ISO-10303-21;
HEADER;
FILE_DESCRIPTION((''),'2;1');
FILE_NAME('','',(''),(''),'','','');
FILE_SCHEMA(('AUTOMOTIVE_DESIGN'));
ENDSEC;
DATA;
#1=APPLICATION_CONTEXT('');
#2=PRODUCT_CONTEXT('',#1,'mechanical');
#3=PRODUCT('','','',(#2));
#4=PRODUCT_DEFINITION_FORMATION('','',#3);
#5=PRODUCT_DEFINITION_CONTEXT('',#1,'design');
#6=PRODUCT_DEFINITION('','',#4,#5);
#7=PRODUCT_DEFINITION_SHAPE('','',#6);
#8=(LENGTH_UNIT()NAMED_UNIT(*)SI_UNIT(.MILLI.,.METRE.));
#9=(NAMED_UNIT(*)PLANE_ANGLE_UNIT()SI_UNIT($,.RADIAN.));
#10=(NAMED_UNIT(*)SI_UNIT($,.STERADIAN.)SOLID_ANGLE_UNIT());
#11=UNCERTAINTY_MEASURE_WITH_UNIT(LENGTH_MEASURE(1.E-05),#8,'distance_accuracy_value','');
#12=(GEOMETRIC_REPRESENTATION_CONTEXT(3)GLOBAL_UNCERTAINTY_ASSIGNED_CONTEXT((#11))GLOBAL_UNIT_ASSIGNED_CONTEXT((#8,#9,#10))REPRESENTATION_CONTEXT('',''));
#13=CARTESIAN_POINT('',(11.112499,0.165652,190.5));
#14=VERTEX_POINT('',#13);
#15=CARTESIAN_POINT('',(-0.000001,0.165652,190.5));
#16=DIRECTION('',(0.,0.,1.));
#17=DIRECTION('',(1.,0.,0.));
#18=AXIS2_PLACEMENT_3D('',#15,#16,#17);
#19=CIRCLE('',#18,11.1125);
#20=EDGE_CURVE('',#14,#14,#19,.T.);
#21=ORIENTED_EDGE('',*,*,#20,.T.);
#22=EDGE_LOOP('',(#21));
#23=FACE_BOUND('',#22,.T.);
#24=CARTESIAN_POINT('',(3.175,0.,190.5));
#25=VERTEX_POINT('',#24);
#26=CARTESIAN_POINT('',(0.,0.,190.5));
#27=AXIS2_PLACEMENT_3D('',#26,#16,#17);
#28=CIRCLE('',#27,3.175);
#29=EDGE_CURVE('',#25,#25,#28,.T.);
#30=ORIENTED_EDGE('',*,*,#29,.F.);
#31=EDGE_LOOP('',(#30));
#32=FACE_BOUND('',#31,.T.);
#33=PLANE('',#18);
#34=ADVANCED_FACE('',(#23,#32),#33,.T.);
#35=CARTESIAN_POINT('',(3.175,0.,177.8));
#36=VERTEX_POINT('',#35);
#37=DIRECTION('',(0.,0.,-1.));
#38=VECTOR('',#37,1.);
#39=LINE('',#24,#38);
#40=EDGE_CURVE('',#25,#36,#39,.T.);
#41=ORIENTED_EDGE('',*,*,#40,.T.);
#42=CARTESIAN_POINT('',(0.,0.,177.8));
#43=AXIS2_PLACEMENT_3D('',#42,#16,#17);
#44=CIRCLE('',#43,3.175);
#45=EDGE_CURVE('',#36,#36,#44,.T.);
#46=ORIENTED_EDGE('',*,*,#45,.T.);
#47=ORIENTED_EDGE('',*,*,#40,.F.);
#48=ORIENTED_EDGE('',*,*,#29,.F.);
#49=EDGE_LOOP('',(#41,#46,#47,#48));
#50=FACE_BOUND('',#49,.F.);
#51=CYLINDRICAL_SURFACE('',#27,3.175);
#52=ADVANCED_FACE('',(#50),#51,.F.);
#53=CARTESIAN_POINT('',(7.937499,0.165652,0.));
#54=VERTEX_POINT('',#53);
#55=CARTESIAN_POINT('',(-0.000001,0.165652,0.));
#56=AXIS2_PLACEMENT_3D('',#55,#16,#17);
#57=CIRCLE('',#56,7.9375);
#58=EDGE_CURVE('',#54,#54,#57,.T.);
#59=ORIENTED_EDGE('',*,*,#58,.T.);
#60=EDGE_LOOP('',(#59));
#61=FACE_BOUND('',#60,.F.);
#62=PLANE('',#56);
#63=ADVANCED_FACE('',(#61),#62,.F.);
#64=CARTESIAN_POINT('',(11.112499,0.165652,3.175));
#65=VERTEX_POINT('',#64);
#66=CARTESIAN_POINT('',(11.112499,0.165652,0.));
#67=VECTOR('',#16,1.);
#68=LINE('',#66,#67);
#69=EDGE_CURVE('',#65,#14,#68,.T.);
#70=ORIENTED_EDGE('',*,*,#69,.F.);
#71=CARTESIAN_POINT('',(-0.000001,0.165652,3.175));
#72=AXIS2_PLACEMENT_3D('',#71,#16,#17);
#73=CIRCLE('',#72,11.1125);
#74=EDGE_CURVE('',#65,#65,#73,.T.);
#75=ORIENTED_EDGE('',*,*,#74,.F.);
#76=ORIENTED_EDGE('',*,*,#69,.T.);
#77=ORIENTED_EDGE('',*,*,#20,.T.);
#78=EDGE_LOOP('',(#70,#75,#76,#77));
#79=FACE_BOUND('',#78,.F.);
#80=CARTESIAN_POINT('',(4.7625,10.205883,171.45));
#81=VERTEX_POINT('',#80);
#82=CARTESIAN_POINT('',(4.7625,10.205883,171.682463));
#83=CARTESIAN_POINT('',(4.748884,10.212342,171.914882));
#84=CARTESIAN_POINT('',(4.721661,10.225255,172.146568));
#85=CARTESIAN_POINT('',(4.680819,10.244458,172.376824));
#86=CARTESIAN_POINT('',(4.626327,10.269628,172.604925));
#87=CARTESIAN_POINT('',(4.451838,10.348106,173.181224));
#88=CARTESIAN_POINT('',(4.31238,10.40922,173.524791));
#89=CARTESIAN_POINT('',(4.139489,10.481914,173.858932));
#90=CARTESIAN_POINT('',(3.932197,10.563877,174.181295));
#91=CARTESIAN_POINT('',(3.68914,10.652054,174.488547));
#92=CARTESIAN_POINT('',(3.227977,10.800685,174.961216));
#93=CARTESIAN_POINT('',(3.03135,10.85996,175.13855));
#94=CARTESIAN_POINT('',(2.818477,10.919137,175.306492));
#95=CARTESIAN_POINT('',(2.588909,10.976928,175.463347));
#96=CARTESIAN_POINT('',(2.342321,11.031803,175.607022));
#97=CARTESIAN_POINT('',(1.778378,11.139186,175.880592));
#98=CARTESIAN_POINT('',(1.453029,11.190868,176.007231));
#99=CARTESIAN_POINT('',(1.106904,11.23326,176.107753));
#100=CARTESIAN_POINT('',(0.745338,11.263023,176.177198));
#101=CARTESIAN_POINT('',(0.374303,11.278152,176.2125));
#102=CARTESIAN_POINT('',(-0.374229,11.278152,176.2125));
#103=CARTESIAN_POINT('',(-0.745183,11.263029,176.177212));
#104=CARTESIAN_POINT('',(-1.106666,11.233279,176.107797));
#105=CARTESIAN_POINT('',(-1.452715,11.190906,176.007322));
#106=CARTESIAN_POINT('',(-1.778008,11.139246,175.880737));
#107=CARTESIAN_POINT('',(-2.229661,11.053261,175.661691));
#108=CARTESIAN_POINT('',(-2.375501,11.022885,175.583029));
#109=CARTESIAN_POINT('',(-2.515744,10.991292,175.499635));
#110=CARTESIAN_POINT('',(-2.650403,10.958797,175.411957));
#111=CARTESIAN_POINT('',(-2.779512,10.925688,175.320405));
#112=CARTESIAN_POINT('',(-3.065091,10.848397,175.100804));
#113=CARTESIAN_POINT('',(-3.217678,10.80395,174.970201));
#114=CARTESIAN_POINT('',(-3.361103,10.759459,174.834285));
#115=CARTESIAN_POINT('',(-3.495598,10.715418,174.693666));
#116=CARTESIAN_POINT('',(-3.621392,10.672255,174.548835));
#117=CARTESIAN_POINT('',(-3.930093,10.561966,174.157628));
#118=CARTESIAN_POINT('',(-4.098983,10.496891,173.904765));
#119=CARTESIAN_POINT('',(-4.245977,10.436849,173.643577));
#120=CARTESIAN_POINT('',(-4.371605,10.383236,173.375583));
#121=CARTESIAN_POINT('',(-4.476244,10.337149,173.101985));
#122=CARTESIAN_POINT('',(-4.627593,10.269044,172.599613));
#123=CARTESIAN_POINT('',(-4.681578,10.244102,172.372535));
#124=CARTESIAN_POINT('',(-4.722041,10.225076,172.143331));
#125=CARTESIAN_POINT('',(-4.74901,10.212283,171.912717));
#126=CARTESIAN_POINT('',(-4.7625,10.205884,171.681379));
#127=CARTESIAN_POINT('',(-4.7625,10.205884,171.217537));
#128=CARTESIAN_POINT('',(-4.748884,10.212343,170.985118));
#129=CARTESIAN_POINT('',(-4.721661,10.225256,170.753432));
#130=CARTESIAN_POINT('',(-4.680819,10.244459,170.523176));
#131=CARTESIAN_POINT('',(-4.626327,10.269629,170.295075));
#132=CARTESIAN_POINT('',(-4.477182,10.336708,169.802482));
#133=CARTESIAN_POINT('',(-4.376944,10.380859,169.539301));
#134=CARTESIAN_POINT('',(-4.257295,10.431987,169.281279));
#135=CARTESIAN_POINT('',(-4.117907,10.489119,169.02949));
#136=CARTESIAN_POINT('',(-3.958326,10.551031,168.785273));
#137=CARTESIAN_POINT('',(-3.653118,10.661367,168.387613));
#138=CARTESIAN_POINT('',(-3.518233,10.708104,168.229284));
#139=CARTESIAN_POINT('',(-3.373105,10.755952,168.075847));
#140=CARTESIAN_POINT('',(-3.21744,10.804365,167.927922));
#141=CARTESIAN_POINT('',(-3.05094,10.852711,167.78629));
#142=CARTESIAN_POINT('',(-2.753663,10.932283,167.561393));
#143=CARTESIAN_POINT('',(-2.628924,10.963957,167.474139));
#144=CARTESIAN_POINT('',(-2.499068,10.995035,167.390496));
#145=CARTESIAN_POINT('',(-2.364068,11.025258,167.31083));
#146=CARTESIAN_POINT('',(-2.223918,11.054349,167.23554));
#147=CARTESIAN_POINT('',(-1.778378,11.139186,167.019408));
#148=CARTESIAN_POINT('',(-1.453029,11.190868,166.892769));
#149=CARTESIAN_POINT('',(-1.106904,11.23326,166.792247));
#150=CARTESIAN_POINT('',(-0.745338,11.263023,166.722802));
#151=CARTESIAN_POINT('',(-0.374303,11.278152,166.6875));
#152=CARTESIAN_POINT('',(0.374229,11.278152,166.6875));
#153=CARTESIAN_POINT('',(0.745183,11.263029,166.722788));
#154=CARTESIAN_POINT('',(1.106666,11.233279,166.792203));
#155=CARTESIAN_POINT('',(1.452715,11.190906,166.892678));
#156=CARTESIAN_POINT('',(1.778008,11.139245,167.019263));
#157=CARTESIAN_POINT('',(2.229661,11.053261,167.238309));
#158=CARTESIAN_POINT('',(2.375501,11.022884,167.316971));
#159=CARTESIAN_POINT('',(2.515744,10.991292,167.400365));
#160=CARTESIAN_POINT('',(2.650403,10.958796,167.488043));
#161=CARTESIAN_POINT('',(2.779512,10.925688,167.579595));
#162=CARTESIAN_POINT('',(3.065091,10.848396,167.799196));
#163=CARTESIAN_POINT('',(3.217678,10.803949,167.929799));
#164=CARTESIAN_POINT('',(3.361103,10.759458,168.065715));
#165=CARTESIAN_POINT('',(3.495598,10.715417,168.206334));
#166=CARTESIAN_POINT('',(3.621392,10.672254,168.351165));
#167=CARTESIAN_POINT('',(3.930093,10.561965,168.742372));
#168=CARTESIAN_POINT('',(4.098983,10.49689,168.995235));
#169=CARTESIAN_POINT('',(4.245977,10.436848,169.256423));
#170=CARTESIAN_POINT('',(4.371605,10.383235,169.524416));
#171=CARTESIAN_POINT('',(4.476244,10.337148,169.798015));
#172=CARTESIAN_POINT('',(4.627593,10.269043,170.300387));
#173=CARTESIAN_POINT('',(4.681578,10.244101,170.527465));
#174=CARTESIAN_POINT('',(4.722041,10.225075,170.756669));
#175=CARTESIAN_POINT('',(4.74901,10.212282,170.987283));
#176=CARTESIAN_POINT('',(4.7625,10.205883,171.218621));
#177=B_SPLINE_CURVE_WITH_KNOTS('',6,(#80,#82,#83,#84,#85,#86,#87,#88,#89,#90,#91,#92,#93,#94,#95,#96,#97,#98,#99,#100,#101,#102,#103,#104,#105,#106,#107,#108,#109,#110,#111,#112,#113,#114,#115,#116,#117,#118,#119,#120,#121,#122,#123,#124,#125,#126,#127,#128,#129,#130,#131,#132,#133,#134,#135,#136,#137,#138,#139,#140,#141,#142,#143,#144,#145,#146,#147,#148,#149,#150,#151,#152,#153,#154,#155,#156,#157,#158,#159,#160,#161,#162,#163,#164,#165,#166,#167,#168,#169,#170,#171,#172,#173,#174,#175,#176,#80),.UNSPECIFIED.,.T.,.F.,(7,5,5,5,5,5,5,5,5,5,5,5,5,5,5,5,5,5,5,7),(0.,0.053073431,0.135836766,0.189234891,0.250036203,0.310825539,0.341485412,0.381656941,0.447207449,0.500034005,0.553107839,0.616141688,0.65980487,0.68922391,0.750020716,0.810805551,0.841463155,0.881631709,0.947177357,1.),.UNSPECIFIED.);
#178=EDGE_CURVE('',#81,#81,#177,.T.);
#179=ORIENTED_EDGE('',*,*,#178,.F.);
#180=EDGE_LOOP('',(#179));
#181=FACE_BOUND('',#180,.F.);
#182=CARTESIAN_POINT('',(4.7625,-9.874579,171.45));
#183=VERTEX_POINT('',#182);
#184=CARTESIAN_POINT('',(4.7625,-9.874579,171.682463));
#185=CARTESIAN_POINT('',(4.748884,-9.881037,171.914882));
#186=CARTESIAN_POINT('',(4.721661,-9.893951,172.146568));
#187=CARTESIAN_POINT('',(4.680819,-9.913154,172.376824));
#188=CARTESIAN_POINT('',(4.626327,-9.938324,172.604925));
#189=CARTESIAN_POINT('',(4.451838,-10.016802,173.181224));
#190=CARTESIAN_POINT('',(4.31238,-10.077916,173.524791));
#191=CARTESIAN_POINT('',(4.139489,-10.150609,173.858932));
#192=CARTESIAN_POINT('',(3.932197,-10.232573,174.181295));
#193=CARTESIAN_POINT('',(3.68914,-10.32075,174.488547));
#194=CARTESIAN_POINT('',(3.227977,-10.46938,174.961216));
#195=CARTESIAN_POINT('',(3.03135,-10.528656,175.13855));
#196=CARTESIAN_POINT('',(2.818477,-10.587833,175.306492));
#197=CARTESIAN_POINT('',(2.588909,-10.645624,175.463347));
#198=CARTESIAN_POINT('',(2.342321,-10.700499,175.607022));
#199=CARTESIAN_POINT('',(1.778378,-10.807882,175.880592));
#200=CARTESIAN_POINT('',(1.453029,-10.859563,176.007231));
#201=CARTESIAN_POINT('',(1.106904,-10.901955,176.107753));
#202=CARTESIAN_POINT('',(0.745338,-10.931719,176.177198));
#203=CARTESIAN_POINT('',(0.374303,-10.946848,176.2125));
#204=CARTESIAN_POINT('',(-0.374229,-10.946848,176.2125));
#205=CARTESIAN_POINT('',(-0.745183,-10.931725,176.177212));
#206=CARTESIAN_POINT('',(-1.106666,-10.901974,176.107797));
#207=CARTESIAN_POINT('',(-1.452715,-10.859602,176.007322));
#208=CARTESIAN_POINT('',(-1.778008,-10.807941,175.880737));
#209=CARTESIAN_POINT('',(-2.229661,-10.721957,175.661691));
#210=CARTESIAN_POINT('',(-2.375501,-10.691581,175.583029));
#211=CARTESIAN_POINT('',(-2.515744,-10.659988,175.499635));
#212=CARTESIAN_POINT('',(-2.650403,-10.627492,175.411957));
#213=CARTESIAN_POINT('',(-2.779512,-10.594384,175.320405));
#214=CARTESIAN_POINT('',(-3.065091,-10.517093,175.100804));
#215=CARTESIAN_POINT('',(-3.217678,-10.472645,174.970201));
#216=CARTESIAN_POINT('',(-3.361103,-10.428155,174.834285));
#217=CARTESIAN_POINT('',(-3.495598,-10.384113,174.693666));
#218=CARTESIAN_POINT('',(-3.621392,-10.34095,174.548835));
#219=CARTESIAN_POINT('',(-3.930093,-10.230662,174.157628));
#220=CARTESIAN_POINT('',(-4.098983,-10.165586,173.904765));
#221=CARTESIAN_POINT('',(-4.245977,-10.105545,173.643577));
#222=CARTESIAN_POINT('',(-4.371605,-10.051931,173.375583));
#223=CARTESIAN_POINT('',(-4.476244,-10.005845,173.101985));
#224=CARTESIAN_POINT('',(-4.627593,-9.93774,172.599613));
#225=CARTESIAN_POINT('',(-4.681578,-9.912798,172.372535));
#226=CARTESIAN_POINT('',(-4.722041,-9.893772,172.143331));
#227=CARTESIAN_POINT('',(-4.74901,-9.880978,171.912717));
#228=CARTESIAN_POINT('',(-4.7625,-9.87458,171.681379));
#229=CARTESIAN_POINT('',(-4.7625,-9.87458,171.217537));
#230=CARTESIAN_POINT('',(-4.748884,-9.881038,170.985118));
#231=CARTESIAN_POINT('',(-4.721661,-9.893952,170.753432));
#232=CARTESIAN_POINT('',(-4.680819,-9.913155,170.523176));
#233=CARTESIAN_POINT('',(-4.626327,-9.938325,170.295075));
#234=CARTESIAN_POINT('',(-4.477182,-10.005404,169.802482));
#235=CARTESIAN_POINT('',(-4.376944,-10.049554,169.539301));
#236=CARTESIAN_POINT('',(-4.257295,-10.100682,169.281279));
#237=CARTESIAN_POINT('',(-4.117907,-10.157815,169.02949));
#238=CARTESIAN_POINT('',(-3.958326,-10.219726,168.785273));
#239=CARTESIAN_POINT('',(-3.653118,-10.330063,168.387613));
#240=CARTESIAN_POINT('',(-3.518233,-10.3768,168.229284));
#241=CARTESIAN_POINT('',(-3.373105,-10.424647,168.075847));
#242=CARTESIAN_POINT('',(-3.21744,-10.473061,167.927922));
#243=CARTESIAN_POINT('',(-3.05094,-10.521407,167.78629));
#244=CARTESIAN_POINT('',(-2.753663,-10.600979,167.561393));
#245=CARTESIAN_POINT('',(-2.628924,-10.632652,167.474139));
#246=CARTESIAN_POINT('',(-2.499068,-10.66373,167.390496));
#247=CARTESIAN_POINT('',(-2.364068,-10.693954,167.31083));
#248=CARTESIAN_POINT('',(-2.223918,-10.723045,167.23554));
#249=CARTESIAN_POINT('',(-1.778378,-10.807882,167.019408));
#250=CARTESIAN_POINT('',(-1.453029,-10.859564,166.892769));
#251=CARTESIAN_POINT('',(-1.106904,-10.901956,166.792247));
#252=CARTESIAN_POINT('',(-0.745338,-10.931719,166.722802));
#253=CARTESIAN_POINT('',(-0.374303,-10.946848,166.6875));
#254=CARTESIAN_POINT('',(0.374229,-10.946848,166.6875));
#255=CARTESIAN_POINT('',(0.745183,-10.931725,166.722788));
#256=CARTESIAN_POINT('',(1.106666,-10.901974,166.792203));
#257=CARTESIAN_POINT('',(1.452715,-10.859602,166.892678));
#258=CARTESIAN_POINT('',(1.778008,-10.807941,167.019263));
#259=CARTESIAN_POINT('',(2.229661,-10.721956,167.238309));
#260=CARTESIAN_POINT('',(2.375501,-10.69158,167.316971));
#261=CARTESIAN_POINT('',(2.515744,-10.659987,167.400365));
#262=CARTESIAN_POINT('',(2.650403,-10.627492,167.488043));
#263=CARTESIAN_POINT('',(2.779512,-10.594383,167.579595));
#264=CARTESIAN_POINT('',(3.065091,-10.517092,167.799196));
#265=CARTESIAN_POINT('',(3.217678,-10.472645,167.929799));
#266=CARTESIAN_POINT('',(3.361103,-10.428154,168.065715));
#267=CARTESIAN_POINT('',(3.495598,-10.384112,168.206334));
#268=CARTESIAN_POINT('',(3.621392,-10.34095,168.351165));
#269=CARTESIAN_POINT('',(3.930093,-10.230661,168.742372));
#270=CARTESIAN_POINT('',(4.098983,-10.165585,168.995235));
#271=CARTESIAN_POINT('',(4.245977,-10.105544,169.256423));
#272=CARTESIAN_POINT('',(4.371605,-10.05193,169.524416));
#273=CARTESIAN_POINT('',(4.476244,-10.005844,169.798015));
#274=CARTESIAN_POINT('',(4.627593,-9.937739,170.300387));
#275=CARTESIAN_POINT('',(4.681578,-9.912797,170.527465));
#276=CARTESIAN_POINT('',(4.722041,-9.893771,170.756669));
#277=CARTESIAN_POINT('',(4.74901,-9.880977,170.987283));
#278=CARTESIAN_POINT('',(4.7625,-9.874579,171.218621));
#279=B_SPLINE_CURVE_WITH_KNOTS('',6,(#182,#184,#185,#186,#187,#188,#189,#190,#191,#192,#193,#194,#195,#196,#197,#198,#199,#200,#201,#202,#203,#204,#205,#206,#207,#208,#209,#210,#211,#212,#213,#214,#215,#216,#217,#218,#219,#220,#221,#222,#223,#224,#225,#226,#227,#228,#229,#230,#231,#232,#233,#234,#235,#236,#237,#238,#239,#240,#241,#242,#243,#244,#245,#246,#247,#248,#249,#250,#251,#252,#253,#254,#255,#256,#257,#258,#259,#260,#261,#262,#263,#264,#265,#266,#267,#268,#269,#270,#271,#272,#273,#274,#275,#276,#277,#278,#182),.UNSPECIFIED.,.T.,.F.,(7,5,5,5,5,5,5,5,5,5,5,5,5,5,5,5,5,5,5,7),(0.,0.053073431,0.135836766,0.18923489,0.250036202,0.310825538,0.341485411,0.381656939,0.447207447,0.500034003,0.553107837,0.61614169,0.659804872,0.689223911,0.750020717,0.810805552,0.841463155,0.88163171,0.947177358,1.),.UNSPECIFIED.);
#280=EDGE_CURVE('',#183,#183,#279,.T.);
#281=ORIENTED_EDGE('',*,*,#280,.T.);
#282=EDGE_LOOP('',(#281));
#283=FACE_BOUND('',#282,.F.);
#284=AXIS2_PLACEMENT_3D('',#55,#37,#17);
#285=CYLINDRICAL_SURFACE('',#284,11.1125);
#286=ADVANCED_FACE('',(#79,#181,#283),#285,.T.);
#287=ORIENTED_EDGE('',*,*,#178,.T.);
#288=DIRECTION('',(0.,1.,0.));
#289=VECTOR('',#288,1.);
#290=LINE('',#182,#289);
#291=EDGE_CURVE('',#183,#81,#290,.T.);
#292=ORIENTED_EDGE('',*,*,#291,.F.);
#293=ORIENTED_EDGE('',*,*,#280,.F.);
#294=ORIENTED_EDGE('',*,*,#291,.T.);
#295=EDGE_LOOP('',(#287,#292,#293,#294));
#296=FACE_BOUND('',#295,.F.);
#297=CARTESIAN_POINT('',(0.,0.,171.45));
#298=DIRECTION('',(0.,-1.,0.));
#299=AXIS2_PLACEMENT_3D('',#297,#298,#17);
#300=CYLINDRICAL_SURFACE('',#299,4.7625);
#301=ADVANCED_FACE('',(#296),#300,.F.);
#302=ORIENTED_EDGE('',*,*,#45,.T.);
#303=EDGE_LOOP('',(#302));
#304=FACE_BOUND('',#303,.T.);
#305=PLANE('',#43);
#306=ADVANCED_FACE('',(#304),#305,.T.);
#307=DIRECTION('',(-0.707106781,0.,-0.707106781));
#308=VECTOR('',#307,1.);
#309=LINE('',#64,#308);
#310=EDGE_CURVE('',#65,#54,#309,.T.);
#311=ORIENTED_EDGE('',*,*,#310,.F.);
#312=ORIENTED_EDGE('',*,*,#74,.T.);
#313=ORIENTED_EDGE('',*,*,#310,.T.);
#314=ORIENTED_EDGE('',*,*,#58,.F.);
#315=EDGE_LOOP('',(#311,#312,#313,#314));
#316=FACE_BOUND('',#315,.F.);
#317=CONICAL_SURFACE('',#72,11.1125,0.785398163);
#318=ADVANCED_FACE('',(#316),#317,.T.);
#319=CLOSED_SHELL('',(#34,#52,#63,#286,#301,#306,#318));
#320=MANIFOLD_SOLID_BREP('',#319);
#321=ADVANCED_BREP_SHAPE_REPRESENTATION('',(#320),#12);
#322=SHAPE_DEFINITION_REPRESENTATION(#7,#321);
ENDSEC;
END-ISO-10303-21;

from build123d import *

# Parameters (mm, degrees)
F0_R          = 11.1125
F1_DEPTH      = 190.5
F2_SIZE       = 3.175
F3_R          = 4.7625
F4_DEPTH      = 25.4
F4_DEPTH_BACK = 25.4
F5_R          = 3.175
F6_DEPTH      = 12.7


with BuildPart() as f1:
    # F0 (on Top) → F1 (new body)
    with BuildSketch(Plane.XY):
        with Locations((-1.1552e-06, 0.1656521781)):
            Circle(F0_R)
    extrude(amount=F1_DEPTH)

    # F2
    f2_edges = [f1.edges().sort_by_distance(p)[0] for p in [
        (-11.112501, 0.165652, 0),
    ]]
    chamfer(f2_edges, length=F2_SIZE)

    # F3 (on Front) → F4 (cut, two sides)
    with BuildSketch(Plane.XZ) as f4_sk:
        with Locations((0, 171.45)):
            Circle(F3_R)
    extrude(amount=-F4_DEPTH, mode=Mode.SUBTRACT)
    extrude(f4_sk.sketch, amount=F4_DEPTH_BACK, mode=Mode.SUBTRACT)

    # F5 (on face) → F6 (cut)
    with BuildSketch(Plane.XY.offset(190.5)):
        Circle(F5_R)
    extrude(amount=-F6_DEPTH, mode=Mode.SUBTRACT)


solid = f1.part
